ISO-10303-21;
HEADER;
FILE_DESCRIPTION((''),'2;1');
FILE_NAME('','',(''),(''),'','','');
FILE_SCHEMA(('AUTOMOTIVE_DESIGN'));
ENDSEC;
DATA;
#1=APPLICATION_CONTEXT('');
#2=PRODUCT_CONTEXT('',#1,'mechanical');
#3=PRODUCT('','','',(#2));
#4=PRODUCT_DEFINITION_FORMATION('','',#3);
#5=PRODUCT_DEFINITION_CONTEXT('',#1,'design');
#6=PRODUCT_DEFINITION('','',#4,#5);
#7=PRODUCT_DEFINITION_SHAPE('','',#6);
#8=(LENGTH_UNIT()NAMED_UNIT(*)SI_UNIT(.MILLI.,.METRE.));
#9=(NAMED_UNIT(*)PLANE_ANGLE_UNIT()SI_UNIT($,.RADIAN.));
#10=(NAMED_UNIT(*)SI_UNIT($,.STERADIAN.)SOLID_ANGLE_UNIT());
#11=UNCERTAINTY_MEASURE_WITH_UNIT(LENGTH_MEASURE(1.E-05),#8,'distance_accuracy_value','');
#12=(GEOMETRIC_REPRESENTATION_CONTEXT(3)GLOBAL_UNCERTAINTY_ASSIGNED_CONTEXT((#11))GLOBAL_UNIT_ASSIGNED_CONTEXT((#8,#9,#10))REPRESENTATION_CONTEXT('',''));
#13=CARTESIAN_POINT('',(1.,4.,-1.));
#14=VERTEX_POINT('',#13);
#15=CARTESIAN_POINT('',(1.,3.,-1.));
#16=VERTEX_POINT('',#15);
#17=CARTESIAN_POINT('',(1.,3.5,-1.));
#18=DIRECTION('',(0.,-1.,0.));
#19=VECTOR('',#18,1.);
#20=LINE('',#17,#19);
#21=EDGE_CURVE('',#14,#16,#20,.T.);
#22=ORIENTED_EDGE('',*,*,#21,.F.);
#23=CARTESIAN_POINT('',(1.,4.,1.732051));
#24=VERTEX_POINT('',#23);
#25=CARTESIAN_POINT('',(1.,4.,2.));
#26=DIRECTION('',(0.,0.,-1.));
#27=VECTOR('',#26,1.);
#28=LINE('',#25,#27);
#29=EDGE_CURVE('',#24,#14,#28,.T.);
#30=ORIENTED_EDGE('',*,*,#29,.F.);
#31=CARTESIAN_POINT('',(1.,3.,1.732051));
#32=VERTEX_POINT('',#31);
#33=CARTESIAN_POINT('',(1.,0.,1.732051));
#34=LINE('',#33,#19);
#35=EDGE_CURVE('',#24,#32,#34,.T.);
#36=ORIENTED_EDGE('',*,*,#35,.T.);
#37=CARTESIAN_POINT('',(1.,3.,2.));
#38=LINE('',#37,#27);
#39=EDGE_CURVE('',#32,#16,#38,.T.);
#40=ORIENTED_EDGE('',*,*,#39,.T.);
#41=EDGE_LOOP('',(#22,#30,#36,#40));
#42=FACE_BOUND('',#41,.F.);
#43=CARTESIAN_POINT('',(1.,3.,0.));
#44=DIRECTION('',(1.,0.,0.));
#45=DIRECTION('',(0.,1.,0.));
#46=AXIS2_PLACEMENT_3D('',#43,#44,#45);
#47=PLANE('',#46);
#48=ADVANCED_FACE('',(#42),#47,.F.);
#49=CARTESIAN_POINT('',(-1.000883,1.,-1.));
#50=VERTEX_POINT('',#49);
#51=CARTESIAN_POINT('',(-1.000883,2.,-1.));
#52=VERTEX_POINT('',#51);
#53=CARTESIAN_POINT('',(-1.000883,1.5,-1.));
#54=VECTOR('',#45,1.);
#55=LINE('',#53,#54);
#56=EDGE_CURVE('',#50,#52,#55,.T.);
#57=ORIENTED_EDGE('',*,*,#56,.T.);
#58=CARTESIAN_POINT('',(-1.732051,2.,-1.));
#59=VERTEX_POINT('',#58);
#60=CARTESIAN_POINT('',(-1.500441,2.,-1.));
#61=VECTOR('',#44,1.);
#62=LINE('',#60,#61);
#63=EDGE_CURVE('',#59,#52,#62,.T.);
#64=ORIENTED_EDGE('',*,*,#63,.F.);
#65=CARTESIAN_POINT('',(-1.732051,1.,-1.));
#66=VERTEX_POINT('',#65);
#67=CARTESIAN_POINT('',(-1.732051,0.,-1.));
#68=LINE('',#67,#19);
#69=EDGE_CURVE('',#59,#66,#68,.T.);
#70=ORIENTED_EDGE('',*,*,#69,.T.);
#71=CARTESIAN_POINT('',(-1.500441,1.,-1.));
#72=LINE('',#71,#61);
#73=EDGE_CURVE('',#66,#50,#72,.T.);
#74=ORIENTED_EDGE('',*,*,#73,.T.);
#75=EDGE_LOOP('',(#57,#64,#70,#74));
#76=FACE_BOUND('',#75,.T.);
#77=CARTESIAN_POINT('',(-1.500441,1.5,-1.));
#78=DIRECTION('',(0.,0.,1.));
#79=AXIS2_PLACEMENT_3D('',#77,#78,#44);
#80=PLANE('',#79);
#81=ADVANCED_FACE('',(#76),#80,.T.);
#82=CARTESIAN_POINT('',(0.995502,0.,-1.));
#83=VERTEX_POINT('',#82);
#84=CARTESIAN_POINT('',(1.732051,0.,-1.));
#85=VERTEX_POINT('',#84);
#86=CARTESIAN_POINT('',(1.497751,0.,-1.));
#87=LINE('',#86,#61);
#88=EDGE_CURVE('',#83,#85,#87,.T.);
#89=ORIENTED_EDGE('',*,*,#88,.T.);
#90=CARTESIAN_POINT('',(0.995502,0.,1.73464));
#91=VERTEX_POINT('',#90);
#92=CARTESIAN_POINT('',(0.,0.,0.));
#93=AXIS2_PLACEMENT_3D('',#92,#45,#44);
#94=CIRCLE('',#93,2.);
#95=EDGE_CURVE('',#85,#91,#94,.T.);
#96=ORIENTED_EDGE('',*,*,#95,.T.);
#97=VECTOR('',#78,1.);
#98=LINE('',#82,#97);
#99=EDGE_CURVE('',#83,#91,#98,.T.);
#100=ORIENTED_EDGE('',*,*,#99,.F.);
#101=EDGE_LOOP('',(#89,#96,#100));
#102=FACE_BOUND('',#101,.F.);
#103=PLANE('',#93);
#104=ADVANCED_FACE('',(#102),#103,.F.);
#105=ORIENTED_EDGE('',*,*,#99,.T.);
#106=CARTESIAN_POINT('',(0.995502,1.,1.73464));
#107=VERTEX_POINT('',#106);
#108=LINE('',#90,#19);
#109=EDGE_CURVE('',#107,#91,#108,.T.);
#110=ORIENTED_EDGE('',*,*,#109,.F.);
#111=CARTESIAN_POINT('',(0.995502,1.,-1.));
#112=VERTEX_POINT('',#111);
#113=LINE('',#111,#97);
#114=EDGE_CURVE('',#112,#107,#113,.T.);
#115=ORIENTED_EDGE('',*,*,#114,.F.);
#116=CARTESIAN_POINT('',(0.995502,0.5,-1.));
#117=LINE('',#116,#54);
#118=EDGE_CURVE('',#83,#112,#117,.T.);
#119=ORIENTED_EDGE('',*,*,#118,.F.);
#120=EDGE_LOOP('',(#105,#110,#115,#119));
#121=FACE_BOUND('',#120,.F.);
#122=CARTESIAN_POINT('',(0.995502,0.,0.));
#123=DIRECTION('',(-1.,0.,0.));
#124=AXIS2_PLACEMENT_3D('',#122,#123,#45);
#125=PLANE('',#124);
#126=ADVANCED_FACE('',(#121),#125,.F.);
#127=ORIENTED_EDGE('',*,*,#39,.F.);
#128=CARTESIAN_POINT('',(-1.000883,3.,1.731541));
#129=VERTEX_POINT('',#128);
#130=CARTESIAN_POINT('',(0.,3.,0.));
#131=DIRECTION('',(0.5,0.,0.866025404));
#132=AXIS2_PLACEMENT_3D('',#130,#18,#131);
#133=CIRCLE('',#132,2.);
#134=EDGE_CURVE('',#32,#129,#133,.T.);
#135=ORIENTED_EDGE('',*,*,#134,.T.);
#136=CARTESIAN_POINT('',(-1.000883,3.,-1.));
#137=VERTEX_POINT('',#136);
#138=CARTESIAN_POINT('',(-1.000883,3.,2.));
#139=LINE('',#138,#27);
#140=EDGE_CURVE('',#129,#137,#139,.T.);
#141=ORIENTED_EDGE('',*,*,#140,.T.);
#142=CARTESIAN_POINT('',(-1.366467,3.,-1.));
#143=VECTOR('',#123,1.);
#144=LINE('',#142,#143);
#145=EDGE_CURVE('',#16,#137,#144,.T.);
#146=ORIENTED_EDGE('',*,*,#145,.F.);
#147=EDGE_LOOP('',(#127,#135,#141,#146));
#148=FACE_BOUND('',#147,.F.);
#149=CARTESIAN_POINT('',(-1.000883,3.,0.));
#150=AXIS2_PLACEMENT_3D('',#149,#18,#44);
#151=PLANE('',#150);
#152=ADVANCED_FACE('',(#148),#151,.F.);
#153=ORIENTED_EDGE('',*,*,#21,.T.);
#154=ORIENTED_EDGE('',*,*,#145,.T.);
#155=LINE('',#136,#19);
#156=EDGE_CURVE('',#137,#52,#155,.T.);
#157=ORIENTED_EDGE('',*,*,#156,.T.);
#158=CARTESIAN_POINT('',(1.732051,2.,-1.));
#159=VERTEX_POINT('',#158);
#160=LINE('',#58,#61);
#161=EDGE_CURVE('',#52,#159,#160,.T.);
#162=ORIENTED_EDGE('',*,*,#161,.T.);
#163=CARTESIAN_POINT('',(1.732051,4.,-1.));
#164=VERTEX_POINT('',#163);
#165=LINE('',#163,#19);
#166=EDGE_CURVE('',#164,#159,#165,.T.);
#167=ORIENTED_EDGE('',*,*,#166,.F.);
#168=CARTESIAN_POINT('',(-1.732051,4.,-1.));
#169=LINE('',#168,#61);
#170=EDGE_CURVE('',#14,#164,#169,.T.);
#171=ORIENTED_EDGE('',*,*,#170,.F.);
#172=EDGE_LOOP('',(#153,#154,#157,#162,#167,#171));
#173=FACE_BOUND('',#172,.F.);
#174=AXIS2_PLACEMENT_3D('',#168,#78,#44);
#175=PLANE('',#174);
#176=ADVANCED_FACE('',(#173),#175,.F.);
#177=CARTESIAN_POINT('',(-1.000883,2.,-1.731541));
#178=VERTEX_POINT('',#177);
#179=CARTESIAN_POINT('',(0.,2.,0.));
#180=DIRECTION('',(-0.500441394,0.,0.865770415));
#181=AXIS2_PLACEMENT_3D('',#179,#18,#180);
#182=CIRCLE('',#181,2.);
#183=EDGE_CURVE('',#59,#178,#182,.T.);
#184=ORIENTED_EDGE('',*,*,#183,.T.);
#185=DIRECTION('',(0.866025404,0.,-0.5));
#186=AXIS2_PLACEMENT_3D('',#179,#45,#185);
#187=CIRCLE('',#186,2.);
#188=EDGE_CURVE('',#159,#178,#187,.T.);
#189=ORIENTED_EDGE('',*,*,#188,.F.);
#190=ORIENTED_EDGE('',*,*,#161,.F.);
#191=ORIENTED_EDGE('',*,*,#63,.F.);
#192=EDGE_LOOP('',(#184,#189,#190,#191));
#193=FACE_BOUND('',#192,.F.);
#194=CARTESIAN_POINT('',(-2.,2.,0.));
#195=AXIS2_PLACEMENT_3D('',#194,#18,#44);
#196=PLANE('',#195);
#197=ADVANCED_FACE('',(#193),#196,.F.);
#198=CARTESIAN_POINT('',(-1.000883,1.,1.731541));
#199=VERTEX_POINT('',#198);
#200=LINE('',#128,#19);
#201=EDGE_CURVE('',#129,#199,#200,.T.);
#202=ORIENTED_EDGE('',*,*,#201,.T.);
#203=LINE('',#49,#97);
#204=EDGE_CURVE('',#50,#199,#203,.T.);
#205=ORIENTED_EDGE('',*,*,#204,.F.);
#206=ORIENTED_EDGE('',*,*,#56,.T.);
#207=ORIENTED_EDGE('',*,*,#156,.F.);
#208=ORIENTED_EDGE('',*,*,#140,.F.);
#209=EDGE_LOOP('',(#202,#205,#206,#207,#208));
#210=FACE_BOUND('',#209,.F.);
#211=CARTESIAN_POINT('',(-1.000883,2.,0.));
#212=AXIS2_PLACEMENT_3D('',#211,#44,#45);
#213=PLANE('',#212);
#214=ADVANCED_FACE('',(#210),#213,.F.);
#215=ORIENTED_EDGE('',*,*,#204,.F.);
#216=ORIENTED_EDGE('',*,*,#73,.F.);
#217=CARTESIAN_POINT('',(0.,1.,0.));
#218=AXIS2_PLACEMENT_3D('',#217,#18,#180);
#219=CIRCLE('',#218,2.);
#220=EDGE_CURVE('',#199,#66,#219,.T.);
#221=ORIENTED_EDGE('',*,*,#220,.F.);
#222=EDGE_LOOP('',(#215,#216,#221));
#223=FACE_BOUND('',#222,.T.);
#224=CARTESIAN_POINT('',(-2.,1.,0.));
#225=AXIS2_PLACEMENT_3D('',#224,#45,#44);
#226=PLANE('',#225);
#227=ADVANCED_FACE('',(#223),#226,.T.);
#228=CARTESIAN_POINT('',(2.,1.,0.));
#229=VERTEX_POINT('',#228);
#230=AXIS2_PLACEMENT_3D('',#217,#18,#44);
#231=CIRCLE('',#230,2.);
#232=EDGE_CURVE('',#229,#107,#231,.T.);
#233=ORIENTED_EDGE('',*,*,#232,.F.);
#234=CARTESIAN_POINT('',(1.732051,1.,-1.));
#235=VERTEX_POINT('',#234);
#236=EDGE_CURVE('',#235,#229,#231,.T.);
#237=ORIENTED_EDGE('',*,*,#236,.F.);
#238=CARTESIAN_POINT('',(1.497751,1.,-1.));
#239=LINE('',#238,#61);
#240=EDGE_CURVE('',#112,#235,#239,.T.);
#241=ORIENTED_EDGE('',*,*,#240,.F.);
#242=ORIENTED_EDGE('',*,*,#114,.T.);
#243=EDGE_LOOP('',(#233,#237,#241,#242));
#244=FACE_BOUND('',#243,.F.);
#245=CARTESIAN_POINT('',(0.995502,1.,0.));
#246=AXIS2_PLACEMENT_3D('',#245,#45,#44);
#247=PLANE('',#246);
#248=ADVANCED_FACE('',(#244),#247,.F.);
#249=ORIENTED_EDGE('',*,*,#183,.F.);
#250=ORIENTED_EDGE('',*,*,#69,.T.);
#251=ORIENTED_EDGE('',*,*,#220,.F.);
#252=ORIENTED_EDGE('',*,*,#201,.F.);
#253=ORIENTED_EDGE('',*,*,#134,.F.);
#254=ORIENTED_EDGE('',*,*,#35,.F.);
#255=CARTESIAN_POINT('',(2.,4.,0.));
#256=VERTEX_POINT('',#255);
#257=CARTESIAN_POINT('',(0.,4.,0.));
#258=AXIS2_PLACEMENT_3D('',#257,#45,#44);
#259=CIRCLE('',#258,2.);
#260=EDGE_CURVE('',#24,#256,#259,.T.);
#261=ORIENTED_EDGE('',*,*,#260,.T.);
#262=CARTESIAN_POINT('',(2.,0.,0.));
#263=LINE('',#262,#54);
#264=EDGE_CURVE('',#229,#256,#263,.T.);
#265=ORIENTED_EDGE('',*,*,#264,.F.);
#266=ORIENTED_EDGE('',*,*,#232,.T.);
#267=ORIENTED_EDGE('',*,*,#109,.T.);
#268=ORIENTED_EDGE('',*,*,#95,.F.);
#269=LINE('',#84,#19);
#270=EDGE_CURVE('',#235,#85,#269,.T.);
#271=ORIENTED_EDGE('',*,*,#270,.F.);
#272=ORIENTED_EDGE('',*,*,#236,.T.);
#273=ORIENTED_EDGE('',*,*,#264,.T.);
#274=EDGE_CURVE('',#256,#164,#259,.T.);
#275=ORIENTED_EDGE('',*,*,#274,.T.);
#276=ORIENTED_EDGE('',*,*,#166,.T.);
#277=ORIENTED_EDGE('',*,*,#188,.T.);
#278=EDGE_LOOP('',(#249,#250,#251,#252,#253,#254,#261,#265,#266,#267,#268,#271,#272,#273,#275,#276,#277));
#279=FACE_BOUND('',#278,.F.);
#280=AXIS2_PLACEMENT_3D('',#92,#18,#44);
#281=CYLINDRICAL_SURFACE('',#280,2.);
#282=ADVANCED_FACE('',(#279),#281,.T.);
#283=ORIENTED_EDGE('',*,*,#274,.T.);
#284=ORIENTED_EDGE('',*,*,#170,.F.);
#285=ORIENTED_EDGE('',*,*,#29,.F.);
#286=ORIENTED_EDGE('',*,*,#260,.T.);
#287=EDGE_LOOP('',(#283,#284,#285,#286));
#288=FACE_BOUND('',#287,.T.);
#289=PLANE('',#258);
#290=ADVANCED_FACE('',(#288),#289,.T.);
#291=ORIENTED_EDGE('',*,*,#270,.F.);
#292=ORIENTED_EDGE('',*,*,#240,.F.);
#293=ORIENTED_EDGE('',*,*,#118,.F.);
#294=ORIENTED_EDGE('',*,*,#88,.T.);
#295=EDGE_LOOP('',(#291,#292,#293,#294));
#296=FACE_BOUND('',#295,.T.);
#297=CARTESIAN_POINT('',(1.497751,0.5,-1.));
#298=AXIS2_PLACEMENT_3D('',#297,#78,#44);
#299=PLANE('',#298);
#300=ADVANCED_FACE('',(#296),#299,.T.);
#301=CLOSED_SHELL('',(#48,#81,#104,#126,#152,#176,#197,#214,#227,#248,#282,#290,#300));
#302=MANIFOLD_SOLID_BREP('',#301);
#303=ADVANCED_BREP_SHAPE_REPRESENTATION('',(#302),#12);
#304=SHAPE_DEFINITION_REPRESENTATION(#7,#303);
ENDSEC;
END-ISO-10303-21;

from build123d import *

# Parameters (mm, degrees)
SKETCH1_R               = 2
BOSS_EXTRUDE1_DEPTH     = 4
CUT_EXTRUDE1_DEPTH      = 2
CUT_EXTRUDE2_DEPTH      = 2
SKETCH4_W               = 0.999117212
SKETCH4_H               = 1
SKETCH4_W_2             = 1.004498255
CUT_EXTRUDE3_DEPTH      = 2
CUT_EXTRUDE3_DEPTH_BACK = 1


with BuildPart() as part:
    # Sketch1 → Boss-Extrude1 (new body)
    with BuildSketch(Plane(origin=(0, 0, 0), x_dir=(1, 0, 0), z_dir=(0, 1, 0))):
        Circle(SKETCH1_R)
    extrude(amount=BOSS_EXTRUDE1_DEPTH)

    # Sketch2 → Cut-Extrude1 (cut, symmetric)
    with BuildSketch(Plane.XY):
        Polygon((1, 4), (-2, 4), (-2, 2), (-1.000882788, 2), (-1.000882788, 3), (1, 3), align=None)
    extrude(amount=CUT_EXTRUDE1_DEPTH, both=True, mode=Mode.SUBTRACT)

    # Sketch3 → Cut-Extrude2 (cut)
    with BuildSketch(Plane(origin=(0, 4, 0), x_dir=(1, 0, 0), z_dir=(0, 1, 0))):
        with BuildLine():
            Line((-1.732050808, 1), (1.732050808, 1))
            ThreePointArc((1.732050808, 1), (0, 2), (-1.732050808, 1))
        make_face()
    extrude(amount=-CUT_EXTRUDE2_DEPTH, mode=Mode.SUBTRACT)

    # Sketch4 → Cut-Extrude3 (cut, two sides)
    with BuildSketch(Plane.XY) as cut_extrude3_sk:
        with Locations((-1.500441394, 1.5)):
            Rectangle(SKETCH4_W, SKETCH4_H)
        with Locations((1.497750873, 0.5)):
            Rectangle(SKETCH4_W_2, SKETCH4_H)
    extrude(amount=CUT_EXTRUDE3_DEPTH, mode=Mode.SUBTRACT)
    extrude(cut_extrude3_sk.sketch, amount=-CUT_EXTRUDE3_DEPTH_BACK, mode=Mode.SUBTRACT)


solid = part.part
